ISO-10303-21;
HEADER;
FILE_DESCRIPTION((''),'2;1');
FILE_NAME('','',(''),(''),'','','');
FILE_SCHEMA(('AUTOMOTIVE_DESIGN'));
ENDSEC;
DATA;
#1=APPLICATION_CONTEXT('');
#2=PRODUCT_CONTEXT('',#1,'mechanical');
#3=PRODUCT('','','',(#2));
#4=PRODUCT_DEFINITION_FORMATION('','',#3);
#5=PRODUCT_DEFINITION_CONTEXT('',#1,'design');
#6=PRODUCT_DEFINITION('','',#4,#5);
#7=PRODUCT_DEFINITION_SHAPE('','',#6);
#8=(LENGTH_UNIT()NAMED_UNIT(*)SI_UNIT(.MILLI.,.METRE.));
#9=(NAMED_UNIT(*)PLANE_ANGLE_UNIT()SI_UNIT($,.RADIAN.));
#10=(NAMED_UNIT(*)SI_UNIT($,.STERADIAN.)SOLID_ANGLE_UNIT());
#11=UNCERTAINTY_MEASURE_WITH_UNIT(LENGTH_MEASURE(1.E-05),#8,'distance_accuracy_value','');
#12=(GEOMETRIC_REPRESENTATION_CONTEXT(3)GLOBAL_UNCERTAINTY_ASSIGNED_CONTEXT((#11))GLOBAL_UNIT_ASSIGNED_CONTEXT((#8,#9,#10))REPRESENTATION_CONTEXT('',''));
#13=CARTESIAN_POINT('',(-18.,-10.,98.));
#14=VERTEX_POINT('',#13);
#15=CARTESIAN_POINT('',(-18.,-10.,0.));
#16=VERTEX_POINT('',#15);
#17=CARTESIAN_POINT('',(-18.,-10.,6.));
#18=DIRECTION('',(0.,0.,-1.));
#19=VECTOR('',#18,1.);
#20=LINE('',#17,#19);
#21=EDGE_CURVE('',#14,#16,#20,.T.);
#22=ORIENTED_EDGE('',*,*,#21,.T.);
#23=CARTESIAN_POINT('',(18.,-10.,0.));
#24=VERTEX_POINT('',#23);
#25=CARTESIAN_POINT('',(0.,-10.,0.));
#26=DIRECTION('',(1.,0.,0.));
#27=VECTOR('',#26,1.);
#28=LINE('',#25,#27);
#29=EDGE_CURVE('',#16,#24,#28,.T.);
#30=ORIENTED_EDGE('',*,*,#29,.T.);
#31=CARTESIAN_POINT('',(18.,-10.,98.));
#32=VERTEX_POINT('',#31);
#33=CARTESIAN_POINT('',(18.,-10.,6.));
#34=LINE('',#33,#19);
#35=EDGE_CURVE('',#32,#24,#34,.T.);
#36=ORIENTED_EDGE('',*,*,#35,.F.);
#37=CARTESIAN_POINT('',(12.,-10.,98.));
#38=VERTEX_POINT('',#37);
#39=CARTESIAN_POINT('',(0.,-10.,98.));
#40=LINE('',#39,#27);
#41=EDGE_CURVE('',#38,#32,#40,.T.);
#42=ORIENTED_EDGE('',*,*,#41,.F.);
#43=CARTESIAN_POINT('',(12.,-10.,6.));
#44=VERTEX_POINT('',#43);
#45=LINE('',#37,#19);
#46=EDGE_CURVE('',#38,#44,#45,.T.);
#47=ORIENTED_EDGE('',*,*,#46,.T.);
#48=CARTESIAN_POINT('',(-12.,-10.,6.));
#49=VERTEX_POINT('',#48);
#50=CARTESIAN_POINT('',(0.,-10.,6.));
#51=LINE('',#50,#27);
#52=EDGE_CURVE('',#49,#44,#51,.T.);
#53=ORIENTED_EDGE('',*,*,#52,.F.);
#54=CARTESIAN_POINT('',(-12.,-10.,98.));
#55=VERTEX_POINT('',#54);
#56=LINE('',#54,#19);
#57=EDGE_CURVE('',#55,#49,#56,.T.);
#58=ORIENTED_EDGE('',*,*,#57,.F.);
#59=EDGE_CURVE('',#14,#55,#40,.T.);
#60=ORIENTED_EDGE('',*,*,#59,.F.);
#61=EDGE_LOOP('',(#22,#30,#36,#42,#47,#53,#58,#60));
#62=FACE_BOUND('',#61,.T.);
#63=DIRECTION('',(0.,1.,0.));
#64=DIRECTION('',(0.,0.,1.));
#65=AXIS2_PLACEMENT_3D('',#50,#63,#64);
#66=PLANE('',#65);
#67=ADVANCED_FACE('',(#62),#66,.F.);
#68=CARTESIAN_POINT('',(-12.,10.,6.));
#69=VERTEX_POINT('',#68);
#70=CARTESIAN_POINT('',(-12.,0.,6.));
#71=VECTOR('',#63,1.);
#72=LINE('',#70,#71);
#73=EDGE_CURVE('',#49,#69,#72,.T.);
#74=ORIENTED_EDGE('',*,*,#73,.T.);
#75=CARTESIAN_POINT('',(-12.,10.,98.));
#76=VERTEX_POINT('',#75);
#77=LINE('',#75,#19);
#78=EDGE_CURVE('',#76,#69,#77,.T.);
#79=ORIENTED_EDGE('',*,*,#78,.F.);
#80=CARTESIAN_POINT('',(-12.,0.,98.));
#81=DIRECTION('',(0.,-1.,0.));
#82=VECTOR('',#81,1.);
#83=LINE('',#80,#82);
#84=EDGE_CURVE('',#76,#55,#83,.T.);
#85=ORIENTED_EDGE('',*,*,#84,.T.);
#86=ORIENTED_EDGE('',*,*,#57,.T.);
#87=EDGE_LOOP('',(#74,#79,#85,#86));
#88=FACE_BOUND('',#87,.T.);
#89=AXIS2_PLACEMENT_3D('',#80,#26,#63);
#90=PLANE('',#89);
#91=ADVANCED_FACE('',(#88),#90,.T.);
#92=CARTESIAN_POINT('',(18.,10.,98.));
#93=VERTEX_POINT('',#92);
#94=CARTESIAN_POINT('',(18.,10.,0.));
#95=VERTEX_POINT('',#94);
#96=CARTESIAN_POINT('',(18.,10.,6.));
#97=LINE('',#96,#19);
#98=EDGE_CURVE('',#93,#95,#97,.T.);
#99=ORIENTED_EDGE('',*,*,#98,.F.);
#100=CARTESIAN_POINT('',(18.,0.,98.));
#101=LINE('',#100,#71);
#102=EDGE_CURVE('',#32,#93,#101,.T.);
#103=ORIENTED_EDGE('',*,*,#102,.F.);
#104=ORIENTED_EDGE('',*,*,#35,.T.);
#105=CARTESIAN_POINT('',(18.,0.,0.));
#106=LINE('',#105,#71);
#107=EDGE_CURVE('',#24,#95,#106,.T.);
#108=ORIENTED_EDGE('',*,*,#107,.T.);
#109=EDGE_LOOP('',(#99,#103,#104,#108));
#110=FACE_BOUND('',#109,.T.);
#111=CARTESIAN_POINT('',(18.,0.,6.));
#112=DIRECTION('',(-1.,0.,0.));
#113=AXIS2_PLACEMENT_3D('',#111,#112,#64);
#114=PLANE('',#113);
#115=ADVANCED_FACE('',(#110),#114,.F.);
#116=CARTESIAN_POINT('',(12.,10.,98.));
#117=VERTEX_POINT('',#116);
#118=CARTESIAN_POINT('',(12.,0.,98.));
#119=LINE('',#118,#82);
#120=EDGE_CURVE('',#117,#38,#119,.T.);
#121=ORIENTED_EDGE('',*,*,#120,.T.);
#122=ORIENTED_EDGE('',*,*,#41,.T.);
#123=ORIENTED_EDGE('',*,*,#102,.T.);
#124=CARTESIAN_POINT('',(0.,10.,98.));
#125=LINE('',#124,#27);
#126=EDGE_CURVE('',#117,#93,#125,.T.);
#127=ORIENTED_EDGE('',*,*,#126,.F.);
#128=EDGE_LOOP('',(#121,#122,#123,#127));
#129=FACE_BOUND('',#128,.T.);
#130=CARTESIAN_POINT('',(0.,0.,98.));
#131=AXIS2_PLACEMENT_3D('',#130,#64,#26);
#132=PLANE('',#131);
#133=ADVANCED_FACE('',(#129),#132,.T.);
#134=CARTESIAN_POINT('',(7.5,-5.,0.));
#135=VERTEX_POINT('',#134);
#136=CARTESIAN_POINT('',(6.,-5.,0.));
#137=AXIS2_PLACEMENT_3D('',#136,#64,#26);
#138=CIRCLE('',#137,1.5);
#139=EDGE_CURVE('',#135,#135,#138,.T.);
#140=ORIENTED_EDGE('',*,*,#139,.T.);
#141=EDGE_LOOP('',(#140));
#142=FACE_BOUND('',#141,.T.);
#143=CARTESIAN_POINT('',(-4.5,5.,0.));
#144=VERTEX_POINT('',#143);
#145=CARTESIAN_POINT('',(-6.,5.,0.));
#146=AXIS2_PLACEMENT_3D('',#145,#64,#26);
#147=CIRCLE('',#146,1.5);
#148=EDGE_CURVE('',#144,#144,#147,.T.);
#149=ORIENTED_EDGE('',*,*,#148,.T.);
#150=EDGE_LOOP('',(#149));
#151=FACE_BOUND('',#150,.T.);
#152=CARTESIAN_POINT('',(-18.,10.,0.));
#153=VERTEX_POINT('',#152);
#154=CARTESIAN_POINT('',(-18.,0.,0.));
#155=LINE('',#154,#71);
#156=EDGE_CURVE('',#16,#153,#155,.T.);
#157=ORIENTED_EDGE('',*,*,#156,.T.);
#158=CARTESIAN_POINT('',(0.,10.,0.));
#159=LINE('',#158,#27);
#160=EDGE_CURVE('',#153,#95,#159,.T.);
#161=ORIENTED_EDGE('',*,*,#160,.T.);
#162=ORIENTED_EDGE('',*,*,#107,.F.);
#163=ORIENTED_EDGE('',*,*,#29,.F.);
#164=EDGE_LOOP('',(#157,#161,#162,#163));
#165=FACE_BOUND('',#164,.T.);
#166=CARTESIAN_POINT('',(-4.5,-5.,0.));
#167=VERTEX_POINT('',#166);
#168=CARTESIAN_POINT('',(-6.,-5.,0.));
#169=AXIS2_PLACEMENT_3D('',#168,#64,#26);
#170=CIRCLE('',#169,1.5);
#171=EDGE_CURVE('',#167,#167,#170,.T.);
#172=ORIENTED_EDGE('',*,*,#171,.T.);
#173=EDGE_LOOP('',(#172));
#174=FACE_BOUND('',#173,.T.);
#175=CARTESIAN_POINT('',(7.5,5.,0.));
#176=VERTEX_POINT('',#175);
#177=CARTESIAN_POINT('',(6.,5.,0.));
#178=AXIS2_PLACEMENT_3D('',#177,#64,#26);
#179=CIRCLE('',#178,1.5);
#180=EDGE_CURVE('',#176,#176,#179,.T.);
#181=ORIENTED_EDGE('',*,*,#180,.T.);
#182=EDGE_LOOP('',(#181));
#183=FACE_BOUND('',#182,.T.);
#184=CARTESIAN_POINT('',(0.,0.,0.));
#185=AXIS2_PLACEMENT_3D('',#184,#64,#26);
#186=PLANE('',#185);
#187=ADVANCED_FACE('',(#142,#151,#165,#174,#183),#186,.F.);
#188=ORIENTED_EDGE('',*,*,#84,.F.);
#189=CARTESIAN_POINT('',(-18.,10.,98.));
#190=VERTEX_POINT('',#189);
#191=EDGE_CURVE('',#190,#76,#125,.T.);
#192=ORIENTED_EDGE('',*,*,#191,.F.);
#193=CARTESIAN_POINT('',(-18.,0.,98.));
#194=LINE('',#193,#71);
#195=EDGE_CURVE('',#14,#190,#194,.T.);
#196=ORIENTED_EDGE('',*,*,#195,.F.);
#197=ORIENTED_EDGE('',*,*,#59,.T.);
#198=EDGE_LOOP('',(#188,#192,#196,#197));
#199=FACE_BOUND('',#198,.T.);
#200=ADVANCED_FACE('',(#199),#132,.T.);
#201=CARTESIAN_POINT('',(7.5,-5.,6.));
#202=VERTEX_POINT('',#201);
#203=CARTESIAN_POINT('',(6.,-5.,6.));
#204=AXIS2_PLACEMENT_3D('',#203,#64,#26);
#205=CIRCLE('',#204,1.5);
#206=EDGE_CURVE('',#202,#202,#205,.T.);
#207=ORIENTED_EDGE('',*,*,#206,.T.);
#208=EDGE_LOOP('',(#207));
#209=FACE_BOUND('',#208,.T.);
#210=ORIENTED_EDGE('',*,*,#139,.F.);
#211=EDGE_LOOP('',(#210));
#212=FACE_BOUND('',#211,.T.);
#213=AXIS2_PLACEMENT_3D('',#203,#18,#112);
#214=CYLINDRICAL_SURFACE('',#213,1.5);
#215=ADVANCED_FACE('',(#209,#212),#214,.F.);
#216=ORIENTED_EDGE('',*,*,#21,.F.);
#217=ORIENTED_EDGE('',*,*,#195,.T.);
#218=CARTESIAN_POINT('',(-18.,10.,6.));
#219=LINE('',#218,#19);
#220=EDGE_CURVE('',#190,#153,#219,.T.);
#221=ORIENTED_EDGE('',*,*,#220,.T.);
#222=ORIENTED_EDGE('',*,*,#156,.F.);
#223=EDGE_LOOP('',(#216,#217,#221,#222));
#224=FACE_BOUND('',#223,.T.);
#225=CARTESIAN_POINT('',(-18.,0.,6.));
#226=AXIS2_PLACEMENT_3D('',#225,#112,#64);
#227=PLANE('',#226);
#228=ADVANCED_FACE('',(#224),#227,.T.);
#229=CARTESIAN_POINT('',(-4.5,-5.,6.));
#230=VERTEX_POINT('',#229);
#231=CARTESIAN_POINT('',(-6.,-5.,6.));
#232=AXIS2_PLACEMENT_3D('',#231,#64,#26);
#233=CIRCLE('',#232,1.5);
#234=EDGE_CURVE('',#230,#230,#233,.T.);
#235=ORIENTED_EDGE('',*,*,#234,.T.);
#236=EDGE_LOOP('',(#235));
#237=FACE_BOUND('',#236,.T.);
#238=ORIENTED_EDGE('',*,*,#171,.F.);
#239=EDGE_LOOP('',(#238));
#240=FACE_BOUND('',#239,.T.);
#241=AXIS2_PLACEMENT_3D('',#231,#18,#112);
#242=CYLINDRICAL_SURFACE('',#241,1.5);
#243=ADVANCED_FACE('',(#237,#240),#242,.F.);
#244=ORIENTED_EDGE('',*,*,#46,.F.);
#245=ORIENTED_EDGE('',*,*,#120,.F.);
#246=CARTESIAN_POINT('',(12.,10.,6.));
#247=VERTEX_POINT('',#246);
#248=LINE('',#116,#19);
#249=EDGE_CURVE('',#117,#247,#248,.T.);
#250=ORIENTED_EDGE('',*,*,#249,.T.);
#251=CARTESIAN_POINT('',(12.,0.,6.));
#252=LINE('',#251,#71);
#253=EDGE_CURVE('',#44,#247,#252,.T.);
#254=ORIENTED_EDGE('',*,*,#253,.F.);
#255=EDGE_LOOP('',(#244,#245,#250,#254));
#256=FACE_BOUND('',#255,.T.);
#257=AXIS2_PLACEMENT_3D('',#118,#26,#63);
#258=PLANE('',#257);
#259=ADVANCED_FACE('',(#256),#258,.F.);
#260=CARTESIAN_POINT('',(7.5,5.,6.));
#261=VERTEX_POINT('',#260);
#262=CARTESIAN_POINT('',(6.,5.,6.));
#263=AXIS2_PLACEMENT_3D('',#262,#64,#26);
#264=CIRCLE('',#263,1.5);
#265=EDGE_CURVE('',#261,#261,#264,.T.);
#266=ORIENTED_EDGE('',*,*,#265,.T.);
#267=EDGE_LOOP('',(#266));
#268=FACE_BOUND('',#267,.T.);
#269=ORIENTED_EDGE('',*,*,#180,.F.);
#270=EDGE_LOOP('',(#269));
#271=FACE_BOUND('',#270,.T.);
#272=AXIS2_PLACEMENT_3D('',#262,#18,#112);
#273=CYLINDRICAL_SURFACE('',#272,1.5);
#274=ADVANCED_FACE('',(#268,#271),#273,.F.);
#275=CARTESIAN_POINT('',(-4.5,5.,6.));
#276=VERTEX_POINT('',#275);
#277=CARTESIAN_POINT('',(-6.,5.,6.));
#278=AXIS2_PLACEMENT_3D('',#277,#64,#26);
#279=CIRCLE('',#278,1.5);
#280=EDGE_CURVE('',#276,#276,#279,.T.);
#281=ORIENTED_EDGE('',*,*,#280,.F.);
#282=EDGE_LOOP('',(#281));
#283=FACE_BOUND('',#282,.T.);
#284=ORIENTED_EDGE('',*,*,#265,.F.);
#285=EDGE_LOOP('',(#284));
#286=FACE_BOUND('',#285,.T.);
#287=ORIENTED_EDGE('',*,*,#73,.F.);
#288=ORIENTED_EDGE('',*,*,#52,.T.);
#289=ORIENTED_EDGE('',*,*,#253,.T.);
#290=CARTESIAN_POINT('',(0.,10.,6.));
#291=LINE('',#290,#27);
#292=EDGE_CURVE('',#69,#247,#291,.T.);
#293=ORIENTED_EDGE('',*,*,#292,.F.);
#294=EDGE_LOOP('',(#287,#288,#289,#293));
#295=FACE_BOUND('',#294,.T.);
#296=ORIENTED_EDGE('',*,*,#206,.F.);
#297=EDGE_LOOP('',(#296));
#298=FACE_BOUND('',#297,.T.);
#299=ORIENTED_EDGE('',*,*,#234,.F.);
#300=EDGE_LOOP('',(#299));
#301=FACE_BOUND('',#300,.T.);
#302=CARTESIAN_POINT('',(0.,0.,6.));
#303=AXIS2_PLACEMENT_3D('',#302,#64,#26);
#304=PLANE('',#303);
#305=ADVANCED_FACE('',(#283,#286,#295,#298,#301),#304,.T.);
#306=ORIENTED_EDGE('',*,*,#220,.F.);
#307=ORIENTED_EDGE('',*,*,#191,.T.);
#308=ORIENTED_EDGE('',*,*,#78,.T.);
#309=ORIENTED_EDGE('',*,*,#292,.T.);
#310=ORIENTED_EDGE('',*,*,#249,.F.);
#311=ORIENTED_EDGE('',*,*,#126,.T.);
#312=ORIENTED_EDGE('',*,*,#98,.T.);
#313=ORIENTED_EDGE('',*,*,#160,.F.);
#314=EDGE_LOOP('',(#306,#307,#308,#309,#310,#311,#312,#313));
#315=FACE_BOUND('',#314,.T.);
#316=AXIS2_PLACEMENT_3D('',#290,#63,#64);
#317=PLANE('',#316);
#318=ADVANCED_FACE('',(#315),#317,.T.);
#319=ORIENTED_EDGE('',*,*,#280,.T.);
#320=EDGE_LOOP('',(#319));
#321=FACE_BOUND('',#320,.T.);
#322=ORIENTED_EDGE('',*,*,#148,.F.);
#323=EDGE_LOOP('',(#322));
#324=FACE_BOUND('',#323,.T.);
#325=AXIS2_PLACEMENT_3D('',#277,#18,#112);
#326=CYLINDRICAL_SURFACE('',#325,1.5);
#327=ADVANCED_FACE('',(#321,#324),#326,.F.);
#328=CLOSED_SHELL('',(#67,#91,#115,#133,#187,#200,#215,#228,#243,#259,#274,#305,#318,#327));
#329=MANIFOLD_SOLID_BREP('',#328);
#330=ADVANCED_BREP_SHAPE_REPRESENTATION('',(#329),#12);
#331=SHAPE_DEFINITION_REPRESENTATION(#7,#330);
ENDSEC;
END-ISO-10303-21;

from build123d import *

# Parameters (mm, degrees)
SKETCH_1_W      = 36
SKETCH_1_H      = 20
SKETCH_1_R      = 1.5
EXTRUDE_1_DEPTH = 6
SKETCH_1_3_W    = 6
SKETCH_1_3_H    = 20
EXTRUDE_2_DEPTH = 98


with BuildPart() as part:
    # Эскиз1 → Бобышка-Вытянуть1 (new body)
    with BuildSketch(Plane.XY):
        Rectangle(SKETCH_1_W, SKETCH_1_H)
        with Locations((6, 5)):
            Circle(SKETCH_1_R, mode=Mode.SUBTRACT)
        with Locations((-6, -5)):
            Circle(SKETCH_1_R, mode=Mode.SUBTRACT)
        with Locations((6, -5)):
            Circle(SKETCH_1_R, mode=Mode.SUBTRACT)
        with Locations((-6, 5)):
            Circle(SKETCH_1_R, mode=Mode.SUBTRACT)
    extrude(amount=EXTRUDE_1_DEPTH)

    # Эскиз1<3> → Бобышка-Вытянуть2 (add)
    with BuildSketch(Plane.XY):
        with Locations((-15, 0)):
            Rectangle(SKETCH_1_3_W, SKETCH_1_3_H)
        with Locations((15, 0)):
            Rectangle(SKETCH_1_3_W, SKETCH_1_3_H)
    extrude(amount=EXTRUDE_2_DEPTH)


solid = part.part
